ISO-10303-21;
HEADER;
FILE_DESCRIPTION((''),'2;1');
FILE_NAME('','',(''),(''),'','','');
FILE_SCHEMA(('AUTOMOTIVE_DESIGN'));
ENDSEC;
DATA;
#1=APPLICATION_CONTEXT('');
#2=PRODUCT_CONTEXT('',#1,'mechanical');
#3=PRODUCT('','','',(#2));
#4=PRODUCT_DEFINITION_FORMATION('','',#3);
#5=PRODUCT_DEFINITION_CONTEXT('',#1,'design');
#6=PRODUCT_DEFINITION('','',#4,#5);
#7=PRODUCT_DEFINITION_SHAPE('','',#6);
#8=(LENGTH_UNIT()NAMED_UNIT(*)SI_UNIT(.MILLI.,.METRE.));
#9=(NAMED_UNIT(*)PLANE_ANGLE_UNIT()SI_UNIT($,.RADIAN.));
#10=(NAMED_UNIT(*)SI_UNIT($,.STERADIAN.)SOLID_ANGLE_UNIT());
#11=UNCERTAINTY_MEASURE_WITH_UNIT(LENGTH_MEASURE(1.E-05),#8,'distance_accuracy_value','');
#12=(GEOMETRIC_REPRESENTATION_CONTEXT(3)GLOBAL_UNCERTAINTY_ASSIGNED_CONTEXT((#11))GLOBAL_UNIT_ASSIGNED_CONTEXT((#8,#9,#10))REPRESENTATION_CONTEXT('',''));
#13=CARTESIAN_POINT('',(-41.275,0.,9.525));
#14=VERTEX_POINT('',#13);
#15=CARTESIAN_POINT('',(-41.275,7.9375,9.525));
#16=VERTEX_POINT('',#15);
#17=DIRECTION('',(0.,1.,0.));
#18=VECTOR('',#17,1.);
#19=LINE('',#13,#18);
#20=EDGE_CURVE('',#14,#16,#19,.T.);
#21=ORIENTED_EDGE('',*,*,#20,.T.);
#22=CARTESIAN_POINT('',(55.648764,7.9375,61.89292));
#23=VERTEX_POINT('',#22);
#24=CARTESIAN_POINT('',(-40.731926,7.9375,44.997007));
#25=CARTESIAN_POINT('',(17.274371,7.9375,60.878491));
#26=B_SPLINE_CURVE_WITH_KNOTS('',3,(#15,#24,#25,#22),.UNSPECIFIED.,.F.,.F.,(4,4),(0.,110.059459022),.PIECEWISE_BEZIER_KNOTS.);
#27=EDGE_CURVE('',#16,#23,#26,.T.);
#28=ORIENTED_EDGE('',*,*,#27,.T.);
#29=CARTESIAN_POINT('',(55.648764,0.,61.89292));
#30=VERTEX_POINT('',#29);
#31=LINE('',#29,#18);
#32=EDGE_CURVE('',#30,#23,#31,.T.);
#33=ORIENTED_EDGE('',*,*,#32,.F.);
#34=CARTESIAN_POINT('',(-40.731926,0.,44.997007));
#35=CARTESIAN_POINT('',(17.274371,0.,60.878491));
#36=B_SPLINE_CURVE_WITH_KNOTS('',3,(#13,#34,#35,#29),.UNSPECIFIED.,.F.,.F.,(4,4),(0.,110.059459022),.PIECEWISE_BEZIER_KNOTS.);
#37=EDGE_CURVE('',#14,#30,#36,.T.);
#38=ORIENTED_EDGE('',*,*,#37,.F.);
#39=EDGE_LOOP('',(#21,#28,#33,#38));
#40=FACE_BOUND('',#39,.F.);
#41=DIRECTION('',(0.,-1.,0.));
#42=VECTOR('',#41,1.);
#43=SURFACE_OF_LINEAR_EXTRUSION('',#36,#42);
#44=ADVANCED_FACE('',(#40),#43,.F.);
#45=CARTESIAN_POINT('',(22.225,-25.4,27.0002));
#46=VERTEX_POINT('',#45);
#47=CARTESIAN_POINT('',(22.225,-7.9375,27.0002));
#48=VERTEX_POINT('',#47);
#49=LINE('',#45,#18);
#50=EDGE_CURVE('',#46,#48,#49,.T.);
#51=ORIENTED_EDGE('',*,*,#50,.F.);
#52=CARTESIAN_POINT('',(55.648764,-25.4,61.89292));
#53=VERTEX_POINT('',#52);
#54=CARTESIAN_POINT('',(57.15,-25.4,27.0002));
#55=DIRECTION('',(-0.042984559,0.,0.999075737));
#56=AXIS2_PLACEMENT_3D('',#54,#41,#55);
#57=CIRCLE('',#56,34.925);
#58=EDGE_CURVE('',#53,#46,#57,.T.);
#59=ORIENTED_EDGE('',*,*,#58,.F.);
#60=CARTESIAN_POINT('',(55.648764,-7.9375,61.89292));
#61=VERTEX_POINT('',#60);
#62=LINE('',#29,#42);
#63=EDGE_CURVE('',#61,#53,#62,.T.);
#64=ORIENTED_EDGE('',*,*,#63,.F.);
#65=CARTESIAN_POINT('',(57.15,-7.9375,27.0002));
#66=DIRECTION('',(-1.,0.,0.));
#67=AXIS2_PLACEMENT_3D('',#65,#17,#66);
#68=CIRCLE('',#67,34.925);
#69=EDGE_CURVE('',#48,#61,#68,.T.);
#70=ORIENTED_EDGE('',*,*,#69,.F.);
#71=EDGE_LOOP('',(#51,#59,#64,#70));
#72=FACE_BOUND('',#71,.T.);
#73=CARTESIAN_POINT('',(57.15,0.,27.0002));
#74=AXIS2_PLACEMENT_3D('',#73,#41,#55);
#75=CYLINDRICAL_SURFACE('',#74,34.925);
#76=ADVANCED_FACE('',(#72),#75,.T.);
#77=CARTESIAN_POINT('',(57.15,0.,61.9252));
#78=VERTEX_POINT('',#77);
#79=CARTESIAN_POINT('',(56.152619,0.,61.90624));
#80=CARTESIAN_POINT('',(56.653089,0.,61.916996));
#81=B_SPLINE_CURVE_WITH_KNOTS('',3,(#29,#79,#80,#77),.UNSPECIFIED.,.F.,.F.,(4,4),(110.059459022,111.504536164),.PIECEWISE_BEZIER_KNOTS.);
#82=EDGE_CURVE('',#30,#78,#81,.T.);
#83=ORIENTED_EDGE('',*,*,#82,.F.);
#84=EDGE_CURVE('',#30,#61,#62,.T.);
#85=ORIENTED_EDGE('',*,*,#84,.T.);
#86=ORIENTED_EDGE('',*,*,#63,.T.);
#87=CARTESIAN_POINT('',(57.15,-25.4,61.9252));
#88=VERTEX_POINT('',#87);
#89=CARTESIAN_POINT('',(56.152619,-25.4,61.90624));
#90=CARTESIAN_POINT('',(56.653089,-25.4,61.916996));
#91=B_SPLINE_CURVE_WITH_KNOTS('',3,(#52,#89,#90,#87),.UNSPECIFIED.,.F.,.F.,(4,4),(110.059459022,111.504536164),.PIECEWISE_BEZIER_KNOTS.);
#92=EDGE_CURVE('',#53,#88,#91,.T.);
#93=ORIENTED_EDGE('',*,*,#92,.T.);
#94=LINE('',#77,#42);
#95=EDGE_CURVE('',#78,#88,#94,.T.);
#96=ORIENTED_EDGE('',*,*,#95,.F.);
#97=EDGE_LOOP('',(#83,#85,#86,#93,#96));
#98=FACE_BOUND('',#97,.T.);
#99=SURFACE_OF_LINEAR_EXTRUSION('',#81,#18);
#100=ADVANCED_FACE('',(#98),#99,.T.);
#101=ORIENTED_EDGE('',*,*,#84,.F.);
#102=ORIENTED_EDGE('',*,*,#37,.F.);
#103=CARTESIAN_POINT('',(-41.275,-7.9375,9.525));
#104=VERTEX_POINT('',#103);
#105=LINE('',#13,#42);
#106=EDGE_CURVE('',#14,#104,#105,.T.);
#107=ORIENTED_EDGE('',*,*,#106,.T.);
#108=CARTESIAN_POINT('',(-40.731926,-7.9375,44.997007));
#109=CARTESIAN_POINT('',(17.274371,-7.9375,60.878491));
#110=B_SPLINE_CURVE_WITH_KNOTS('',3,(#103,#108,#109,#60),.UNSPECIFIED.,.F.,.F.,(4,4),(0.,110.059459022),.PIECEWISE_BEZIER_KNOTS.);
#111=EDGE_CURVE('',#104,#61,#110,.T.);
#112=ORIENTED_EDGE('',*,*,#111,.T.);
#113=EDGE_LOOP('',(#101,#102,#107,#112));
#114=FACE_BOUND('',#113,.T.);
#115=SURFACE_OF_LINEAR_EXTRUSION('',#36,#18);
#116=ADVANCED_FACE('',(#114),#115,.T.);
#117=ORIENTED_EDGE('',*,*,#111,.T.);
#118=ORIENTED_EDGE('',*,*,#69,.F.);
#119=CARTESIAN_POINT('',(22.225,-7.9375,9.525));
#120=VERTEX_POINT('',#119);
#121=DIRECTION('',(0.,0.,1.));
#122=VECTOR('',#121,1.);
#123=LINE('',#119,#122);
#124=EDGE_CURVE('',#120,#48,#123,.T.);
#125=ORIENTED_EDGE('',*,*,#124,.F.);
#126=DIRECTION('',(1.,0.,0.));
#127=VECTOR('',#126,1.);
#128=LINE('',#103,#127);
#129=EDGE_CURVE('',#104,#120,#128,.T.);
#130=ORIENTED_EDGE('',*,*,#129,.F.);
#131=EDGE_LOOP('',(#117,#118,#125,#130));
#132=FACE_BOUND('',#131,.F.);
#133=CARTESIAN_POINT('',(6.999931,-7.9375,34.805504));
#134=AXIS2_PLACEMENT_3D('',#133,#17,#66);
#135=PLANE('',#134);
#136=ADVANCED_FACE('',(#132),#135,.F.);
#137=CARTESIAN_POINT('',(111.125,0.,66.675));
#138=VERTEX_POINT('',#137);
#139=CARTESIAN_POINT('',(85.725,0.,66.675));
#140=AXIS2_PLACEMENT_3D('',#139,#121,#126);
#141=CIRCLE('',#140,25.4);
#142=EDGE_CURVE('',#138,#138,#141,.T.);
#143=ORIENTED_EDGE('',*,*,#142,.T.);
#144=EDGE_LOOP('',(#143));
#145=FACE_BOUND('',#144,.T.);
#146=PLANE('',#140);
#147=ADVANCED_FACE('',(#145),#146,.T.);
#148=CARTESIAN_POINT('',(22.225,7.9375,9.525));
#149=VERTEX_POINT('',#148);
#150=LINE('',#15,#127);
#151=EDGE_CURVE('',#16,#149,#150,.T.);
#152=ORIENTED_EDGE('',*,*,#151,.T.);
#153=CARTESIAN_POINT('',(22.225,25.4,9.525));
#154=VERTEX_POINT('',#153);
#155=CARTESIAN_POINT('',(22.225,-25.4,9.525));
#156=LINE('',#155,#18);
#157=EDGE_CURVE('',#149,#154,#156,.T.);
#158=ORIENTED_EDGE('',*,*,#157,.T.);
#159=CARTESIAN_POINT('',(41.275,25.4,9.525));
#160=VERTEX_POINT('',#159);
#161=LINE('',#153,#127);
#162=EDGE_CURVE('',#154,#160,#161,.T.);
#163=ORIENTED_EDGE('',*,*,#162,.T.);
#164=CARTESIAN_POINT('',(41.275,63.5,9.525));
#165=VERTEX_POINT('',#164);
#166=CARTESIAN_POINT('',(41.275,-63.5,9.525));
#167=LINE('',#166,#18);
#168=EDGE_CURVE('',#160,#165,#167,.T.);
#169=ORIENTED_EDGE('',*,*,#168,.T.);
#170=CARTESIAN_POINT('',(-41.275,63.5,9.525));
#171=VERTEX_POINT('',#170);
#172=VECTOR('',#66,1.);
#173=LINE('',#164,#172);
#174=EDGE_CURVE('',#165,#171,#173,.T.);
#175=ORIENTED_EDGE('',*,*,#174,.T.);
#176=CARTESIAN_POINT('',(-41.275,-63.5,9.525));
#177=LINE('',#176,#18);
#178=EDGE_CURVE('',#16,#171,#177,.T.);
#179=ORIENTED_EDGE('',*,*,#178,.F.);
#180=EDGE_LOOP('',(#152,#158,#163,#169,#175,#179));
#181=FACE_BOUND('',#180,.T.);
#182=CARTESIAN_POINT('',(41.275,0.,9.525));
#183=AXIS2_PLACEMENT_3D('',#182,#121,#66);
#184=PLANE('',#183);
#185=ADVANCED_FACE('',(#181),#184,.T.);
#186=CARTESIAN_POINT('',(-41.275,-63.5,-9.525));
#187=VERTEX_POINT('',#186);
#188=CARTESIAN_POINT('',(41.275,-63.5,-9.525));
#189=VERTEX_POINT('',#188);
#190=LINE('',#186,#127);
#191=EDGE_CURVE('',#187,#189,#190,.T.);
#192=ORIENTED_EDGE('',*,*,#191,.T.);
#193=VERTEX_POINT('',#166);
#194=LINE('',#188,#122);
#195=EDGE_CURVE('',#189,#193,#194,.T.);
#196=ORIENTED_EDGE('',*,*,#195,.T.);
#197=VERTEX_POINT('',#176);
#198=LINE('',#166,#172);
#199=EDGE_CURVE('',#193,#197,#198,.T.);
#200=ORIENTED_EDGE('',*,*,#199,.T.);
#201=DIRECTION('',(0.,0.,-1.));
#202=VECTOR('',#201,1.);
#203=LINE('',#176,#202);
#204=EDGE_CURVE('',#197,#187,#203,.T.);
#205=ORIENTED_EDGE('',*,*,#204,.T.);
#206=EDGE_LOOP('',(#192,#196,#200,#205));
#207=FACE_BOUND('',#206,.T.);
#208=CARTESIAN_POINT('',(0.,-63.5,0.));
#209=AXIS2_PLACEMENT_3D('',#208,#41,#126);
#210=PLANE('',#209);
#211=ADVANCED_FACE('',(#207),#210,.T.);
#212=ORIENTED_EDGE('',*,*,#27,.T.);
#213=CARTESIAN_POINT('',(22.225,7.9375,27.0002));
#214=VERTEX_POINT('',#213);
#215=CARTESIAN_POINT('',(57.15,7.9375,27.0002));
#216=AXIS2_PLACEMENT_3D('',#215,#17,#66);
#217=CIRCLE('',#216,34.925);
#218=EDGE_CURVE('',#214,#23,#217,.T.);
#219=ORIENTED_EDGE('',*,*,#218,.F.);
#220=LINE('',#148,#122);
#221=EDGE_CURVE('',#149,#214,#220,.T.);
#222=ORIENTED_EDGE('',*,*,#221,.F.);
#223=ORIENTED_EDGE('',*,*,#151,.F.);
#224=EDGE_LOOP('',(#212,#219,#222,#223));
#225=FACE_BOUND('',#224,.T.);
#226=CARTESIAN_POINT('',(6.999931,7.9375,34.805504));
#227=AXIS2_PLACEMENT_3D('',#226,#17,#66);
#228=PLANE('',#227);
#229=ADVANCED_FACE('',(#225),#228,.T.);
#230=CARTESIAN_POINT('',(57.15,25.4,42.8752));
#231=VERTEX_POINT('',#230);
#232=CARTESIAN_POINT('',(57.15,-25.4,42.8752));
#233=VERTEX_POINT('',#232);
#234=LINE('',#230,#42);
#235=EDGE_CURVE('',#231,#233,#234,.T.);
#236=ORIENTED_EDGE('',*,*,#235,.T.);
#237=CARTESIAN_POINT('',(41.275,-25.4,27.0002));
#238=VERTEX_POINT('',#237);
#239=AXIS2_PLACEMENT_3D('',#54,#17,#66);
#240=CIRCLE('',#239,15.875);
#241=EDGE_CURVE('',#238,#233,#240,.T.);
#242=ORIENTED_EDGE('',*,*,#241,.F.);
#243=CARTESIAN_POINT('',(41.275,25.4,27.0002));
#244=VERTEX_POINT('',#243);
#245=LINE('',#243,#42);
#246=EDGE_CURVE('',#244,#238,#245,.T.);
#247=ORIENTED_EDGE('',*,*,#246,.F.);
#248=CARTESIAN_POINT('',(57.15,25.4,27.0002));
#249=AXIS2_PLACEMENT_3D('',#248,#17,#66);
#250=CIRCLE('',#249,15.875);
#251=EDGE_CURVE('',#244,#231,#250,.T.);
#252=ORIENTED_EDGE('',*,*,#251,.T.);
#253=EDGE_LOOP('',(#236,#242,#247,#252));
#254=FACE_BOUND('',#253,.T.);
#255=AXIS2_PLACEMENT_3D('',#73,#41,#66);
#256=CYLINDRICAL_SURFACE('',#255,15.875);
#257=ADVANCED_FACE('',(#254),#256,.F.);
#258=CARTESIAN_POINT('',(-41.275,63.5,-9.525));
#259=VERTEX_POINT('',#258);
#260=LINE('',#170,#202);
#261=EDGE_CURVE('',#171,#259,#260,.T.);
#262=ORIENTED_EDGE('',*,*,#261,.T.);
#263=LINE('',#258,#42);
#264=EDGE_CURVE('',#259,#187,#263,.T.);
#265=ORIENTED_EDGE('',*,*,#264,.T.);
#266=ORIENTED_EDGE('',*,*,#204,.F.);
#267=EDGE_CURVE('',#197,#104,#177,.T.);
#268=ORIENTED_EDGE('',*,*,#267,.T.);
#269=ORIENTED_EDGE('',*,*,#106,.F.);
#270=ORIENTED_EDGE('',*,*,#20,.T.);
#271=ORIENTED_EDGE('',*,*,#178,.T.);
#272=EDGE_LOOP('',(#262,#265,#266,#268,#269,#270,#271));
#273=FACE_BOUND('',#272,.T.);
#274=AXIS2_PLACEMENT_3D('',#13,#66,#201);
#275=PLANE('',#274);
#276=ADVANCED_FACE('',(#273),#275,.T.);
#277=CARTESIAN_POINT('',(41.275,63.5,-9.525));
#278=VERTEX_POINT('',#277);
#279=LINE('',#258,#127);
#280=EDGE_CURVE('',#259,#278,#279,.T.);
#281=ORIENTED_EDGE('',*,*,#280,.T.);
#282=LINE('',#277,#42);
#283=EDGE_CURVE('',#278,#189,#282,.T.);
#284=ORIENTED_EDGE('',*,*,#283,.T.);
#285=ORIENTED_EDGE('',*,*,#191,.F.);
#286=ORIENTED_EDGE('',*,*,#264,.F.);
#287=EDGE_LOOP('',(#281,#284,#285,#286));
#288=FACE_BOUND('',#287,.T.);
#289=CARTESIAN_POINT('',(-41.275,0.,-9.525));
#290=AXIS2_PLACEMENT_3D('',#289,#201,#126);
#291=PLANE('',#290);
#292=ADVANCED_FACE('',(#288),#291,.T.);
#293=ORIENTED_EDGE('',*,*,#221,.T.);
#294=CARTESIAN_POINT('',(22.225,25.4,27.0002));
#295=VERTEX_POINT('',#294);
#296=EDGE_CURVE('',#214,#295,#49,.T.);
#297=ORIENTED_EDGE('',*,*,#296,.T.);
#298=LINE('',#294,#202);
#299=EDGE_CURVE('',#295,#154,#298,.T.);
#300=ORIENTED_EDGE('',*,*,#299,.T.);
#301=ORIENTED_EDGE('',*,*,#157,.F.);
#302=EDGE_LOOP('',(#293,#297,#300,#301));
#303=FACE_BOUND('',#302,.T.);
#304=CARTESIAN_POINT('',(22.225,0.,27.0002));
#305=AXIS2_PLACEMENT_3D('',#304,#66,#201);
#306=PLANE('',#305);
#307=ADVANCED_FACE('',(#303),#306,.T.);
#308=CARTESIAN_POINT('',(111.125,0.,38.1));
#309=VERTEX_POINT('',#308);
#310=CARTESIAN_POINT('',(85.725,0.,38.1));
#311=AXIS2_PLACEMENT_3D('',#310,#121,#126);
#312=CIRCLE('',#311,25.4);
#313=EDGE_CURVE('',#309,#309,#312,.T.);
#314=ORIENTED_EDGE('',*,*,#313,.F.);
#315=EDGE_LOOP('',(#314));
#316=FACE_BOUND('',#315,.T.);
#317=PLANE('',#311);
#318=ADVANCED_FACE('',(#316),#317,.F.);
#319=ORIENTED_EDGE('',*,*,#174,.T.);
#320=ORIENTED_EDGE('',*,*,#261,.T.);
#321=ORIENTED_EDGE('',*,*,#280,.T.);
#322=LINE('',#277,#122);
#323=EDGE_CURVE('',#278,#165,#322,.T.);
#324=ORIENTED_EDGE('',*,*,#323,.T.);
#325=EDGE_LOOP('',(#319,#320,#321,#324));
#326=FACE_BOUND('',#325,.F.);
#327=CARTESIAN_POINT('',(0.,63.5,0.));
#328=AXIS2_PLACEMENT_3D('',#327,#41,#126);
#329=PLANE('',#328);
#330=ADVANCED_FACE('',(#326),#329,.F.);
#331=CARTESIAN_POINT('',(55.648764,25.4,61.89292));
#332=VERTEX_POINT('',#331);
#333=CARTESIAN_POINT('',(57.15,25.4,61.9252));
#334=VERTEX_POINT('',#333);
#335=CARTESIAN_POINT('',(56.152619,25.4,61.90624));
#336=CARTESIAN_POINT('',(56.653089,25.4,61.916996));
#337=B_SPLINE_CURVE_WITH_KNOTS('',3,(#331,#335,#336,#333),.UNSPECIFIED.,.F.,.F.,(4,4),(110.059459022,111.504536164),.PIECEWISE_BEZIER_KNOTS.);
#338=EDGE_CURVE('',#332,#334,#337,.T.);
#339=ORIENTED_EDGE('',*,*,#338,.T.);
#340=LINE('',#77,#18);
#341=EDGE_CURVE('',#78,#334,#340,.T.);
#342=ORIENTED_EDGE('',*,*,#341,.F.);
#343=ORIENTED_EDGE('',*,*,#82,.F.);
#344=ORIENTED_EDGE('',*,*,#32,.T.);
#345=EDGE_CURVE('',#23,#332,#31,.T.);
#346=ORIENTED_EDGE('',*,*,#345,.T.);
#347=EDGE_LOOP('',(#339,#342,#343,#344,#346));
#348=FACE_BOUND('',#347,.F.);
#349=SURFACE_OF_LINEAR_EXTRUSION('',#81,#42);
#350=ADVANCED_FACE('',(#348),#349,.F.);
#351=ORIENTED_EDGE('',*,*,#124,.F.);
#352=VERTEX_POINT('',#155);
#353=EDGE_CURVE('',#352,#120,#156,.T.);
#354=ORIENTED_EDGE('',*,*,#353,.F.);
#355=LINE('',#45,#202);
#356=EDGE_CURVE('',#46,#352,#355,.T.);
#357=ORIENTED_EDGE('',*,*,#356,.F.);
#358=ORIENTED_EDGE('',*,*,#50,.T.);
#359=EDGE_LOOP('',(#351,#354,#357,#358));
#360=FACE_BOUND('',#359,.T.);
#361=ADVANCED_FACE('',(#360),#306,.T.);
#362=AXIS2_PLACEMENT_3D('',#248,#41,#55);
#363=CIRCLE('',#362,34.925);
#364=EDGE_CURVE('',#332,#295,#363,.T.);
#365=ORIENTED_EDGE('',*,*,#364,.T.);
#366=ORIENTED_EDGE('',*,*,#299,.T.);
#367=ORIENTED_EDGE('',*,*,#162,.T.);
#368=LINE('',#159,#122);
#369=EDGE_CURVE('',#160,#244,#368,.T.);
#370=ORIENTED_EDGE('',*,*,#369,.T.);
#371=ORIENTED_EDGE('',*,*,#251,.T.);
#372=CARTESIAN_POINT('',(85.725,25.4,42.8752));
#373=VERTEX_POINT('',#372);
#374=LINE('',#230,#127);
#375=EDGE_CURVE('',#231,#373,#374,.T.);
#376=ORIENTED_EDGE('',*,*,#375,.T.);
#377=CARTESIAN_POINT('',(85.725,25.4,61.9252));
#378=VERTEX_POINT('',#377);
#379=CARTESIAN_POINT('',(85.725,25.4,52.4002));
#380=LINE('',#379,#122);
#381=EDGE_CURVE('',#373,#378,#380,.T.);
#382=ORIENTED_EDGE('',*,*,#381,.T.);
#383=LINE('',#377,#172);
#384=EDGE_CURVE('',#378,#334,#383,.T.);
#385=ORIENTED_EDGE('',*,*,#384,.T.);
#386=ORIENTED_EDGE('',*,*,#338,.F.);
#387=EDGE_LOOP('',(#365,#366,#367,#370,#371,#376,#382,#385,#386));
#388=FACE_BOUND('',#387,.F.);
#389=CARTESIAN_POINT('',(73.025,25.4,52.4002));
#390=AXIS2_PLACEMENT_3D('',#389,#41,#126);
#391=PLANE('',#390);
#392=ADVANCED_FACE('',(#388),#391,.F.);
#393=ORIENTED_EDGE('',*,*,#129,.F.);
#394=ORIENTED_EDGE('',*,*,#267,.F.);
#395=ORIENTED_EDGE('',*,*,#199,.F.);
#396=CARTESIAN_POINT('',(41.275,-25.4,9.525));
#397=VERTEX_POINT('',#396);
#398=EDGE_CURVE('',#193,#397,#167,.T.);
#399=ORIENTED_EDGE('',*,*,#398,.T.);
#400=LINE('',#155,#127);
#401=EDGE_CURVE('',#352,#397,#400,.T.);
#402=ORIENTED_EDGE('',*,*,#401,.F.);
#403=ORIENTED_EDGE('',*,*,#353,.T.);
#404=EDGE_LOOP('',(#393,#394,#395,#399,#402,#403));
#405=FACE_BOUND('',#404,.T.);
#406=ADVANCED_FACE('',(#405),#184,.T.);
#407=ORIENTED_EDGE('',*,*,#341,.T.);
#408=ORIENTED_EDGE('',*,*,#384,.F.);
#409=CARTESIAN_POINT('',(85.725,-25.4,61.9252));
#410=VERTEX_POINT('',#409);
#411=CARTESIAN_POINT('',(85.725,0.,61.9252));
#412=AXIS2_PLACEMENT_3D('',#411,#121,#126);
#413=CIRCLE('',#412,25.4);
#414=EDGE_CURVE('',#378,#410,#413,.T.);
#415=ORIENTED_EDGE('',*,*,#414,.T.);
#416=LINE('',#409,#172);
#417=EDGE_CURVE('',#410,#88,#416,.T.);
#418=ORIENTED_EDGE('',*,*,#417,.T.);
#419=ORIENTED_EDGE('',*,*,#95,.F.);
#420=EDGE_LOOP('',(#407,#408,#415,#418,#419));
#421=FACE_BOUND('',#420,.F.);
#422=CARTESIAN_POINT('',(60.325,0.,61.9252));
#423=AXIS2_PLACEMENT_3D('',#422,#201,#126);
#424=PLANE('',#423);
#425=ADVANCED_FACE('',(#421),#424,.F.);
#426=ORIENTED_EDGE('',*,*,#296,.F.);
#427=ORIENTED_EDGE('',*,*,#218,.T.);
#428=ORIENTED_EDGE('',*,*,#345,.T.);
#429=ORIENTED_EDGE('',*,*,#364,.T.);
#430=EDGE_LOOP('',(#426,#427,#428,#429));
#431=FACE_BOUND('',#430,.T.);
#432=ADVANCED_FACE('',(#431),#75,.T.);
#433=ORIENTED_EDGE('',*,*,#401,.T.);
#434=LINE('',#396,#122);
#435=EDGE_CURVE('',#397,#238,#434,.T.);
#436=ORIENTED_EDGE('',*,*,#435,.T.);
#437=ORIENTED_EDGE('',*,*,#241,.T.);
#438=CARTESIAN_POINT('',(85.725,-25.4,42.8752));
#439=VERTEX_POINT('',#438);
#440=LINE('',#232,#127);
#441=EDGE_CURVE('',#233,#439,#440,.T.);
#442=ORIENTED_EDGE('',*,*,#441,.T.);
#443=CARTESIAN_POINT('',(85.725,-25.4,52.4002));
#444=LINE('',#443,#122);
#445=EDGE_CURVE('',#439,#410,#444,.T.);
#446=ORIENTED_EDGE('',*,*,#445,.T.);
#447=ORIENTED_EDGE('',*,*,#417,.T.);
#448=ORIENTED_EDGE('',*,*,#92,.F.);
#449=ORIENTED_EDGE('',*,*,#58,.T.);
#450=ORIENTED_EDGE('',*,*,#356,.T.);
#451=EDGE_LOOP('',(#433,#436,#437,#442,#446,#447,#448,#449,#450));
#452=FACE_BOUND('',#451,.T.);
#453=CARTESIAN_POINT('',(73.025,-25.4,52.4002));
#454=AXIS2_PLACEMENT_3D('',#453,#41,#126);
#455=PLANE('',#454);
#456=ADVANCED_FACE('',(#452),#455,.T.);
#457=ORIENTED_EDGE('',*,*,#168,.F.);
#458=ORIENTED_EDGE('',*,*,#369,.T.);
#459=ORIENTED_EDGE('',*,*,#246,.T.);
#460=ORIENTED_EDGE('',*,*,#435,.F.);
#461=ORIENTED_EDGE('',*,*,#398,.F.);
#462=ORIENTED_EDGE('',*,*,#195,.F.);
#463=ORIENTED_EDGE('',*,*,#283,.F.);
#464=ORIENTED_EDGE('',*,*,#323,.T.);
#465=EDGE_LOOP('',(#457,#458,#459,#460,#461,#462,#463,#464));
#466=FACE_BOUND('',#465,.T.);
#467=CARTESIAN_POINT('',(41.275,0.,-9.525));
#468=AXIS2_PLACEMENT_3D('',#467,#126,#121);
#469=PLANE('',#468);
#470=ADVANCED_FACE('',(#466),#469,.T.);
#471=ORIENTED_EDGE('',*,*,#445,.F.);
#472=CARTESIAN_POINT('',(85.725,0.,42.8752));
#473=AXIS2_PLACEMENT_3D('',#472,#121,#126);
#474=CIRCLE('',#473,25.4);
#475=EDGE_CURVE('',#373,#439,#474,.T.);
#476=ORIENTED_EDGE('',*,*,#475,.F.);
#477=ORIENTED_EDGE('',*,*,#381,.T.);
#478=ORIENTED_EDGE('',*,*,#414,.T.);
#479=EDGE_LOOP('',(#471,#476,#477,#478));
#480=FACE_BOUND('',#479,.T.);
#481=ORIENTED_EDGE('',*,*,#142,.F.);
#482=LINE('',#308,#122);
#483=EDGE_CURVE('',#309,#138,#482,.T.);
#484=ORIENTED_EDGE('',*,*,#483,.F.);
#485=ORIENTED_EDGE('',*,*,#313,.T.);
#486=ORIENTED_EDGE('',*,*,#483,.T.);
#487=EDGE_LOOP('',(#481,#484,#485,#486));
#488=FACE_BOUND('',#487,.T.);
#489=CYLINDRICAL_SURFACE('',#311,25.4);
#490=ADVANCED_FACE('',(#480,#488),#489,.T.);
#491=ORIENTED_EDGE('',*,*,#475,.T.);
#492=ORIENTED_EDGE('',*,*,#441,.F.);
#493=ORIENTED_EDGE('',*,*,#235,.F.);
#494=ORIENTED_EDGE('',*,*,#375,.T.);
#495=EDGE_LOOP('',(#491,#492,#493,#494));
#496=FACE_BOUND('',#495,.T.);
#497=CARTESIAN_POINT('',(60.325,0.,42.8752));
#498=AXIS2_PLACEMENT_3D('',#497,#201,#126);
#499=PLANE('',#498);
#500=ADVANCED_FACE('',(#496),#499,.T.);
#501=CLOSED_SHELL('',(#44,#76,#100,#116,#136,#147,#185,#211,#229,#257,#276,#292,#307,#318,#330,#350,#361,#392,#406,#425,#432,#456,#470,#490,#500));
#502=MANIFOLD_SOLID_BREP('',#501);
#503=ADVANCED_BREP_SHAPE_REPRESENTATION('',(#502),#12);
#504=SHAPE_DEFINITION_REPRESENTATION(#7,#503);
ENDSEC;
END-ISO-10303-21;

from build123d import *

# Parameters (mm, degrees)
F1_DEPTH = 63.5
F2_DEPTH = 25.4
F0_W     = 25.4
F0_H     = 19.05
F3_DEPTH = 25.4
F4_DEPTH = 7.9375


with BuildPart() as f1:
    # F0 (on Front) → F1 (new body, symmetric)
    with BuildSketch(Plane.XZ):
        Polygon((-41.275, 9.525), (-41.275, -9.525), (41.275, -9.525), (41.275, 9.525), (22.225, 9.525), align=None)
    extrude(amount=F1_DEPTH, both=True)

    # F0 (on Front) → F2 (join, symmetric)
    with BuildSketch(Plane.XZ):
        with BuildLine():
            Line((22.225, 9.525), (41.275, 9.525))
            Line((41.275, 9.525), (41.275, 27.0002))
            ThreePointArc((41.275, 27.0002), (45.9246798487, 38.2255201513), (57.15, 42.8752))
            Line((57.15, 42.8752), (60.325, 42.8752))
            Line((60.325, 42.8752), (60.325, 61.9252))
            Line((60.325, 61.9252), (57.15, 61.9252))
            add(Edge.make_bspline(
                [(55.6487642721, 61.8929201045), (56.1526188138, 61.9062395272), (56.6530888928, 61.9169959284), (57.15, 61.9252)],
                knots=[110.0594590217, 110.0594590217, 110.0594590217, 110.0594590217, 111.5045361635, 111.5045361635, 111.5045361635, 111.5045361635], degree=3))
            ThreePointArc((55.6487642721, 61.8929201045), (31.9291129934, 51.1593076739), (22.225, 27.0002))
            Line((22.225, 27.0002), (22.225, 9.525))
        make_face()
    extrude(amount=F2_DEPTH, both=True)

    # F0 (on Front) → F3 (join, symmetric)
    with BuildSketch(Plane.XZ):
        with Locations((73.025, 52.4002)):
            Rectangle(F0_W, F0_H)
    extrude(amount=F3_DEPTH, both=True)

    # F0 (on Front) → F4 (join, symmetric)
    with BuildSketch(Plane.XZ):
        with BuildLine():
            add(Edge.make_bspline(
                [(-41.275, 9.525), (-40.7319258576, 44.9970073135), (17.2743711817, 60.8784908984), (55.6487642721, 61.8929201045)],
                knots=[0, 0, 0, 0, 110.0594590217, 110.0594590217, 110.0594590217, 110.0594590217], degree=3))
            Line((-41.275, 9.525), (22.225, 9.525))
            Line((22.225, 9.525), (22.225, 27.0002))
            ThreePointArc((22.225, 27.0002), (31.9291129934, 51.1593076739), (55.6487642721, 61.8929201045))
        make_face()
    extrude(amount=F4_DEPTH, both=True)

    # F0 (on Front) → F5 (revolve)
    with BuildSketch(Plane.XZ):
        Polygon((85.725, 66.675), (85.725, 61.9252), (85.725, 42.8752), (85.725, 38.1), (111.125, 38.1), (111.125, 66.675), align=None)
    revolve(axis=Axis((85.725, 0, 52.3875), (0, 0, 1)))


solid = f1.part
